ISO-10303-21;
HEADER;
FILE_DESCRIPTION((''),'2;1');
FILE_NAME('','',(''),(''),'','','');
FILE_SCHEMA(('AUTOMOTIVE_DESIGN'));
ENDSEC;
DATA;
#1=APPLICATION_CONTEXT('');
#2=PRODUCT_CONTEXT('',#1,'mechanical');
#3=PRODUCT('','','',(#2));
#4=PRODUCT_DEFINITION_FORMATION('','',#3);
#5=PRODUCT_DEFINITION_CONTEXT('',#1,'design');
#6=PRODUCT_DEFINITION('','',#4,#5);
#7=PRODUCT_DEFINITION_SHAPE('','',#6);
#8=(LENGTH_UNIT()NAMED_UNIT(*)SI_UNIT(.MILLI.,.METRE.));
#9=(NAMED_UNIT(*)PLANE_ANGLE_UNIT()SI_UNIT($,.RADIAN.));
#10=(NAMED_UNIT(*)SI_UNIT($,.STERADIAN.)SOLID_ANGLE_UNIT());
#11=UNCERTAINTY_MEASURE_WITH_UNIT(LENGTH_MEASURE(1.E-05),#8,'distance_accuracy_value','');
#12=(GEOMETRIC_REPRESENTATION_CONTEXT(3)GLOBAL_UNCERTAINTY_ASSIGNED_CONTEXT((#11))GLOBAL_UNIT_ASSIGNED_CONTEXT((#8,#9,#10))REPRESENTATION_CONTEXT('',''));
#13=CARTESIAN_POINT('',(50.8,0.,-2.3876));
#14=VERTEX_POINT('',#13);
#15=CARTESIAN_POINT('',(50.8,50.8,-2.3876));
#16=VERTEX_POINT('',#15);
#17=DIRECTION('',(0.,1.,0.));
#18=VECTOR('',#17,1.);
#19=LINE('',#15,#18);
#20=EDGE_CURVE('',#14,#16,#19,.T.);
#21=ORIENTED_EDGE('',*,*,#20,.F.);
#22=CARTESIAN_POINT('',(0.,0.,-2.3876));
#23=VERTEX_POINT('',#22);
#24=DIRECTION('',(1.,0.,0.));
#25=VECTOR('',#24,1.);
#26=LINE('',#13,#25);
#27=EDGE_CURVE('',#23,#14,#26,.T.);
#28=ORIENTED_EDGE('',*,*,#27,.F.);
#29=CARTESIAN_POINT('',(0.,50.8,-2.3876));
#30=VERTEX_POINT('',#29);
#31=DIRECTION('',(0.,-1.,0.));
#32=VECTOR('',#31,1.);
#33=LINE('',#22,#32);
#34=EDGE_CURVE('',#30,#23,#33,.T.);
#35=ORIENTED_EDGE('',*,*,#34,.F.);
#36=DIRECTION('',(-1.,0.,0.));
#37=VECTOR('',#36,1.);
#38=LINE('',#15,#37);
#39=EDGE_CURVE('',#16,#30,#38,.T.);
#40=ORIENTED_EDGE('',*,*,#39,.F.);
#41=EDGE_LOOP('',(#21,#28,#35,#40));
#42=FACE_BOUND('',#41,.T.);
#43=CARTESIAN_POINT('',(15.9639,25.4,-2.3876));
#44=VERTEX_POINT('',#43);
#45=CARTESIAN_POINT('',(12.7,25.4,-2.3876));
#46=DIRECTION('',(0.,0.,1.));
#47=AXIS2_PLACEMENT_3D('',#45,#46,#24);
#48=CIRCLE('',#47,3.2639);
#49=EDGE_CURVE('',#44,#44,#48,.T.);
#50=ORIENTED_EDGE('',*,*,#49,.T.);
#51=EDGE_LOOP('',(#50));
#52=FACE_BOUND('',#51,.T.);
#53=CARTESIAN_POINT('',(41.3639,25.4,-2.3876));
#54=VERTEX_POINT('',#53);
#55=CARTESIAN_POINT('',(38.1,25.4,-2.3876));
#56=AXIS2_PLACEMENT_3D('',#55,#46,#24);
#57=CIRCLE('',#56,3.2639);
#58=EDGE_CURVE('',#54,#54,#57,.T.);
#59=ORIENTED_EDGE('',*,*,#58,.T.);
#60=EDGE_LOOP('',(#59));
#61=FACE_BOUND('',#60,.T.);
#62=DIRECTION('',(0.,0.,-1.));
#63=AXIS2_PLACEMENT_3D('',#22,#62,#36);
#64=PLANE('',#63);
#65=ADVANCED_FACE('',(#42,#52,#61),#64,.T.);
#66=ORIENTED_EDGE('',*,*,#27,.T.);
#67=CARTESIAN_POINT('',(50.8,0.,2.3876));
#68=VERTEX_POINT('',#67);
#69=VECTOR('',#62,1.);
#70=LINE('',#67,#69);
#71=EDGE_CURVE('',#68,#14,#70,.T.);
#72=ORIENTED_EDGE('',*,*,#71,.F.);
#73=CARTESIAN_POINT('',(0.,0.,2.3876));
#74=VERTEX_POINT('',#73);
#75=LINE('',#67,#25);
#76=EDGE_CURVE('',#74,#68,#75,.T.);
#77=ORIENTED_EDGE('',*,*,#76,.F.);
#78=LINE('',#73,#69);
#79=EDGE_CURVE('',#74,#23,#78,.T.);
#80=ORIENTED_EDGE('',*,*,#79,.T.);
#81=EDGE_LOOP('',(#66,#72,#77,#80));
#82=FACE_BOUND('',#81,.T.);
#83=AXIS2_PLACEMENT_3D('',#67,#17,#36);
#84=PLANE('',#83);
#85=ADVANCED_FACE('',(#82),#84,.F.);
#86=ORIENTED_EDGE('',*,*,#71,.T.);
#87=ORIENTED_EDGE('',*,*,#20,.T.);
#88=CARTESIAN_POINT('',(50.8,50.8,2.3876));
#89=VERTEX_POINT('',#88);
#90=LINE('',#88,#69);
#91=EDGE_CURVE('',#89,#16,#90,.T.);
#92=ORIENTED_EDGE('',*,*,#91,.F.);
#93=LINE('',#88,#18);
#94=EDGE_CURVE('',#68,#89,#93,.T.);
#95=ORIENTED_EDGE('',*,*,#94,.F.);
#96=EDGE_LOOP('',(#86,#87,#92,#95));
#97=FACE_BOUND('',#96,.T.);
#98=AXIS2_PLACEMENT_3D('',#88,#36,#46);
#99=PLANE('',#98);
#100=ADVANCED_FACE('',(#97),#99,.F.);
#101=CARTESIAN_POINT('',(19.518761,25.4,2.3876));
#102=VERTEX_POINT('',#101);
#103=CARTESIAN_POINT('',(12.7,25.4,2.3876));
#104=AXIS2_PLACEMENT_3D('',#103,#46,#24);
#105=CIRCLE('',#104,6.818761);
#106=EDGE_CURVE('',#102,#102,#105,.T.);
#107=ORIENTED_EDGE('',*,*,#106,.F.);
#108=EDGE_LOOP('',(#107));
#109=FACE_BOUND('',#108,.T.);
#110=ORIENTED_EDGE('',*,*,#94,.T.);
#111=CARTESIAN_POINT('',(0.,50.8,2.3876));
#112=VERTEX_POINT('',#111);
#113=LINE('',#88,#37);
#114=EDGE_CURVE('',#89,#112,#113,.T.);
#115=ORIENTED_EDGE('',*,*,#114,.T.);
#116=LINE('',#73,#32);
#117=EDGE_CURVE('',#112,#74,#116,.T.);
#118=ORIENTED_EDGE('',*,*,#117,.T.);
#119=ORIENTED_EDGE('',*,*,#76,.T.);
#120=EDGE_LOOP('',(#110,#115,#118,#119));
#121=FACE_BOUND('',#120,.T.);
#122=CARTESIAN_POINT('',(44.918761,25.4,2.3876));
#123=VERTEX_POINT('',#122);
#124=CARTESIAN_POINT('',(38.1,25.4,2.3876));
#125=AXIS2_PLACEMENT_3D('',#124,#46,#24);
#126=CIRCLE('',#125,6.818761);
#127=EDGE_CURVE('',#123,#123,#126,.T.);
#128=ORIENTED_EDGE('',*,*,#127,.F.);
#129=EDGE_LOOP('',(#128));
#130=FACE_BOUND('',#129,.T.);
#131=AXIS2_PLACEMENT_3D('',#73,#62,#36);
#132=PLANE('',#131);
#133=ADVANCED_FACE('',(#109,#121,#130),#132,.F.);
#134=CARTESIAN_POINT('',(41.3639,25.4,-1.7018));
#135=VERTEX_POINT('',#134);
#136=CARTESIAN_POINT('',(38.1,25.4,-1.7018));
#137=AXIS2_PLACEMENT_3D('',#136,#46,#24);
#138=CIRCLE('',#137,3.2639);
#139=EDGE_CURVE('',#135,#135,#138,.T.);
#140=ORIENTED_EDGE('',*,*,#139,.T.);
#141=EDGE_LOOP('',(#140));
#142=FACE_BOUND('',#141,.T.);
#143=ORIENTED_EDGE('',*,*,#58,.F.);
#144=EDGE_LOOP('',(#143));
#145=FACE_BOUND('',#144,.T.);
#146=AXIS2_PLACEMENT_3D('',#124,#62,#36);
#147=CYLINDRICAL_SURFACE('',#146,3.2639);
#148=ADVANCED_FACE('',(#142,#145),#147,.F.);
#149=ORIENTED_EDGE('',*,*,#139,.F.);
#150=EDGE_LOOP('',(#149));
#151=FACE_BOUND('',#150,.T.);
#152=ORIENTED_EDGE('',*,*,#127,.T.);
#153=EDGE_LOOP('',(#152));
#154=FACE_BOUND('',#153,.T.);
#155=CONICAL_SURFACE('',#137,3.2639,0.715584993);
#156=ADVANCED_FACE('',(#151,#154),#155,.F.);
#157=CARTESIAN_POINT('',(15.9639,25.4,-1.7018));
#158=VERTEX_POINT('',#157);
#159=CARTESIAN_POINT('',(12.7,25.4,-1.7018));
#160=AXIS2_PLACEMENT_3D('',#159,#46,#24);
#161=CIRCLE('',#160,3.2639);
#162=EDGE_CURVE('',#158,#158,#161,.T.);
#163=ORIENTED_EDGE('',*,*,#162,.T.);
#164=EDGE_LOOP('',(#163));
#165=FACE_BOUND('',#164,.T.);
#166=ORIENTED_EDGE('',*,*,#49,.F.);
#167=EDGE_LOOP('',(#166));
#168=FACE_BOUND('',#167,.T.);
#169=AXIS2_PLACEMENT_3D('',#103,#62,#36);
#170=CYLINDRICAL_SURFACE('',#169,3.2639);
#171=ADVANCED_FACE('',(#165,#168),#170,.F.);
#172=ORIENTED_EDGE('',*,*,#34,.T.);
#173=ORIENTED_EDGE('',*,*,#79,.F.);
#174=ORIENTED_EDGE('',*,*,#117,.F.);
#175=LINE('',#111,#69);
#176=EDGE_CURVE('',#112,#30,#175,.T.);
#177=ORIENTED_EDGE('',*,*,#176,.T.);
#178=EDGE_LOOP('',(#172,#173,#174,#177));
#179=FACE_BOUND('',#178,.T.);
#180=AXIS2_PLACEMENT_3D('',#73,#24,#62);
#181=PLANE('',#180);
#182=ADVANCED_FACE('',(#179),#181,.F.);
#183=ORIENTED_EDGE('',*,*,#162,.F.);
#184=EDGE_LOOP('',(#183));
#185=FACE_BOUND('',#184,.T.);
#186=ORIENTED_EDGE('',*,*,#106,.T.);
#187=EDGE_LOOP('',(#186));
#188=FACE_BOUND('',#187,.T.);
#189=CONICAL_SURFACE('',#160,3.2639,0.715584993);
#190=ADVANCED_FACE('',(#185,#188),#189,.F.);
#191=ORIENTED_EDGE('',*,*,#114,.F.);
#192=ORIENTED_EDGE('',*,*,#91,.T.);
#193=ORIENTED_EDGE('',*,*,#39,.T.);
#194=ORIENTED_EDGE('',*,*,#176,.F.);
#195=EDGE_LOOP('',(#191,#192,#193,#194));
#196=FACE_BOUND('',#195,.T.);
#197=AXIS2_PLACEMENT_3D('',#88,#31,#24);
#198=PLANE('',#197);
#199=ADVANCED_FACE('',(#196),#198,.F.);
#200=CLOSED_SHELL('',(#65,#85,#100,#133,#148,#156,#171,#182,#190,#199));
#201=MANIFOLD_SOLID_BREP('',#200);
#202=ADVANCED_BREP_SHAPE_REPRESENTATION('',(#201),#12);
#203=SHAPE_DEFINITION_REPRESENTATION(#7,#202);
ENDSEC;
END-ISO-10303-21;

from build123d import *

# Parameters (mm, degrees)
SKETCH1_W           = 50.8
SKETCH1_H           = 50.8
SKETCH1_R           = 3.2639
BOSS_EXTRUDE1_DEPTH = 2.3876
CUT_EXTRUDE1_START  = -4.0894
SKETCH2_R           = 3.2639
CUT_EXTRUDE1_DEPTH  = 5.0894
CUT_EXTRUDE1_TAPER  = -41


with BuildPart() as part:
    # Sketch1 → Boss-Extrude1 (new body, symmetric)
    with BuildSketch(Plane.XY):
        with Locations((25.4, 25.4)):
            Rectangle(SKETCH1_W, SKETCH1_H)
        with Locations((12.7, 25.4)):
            Circle(SKETCH1_R, mode=Mode.SUBTRACT)
        with Locations((38.1, 25.4)):
            Circle(SKETCH1_R, mode=Mode.SUBTRACT)
    extrude(amount=BOSS_EXTRUDE1_DEPTH, both=True)

    # Sketch2 → Cut-Extrude1 (cut, through all)
    with BuildSketch(Plane.XY.offset(2.3876).offset(CUT_EXTRUDE1_START)):
        with Locations((12.7, 25.4)):
            Circle(SKETCH2_R)
        with Locations((38.1, 25.4)):
            Circle(SKETCH2_R)
    extrude(amount=CUT_EXTRUDE1_DEPTH, taper=CUT_EXTRUDE1_TAPER, mode=Mode.SUBTRACT)


solid = part.part
